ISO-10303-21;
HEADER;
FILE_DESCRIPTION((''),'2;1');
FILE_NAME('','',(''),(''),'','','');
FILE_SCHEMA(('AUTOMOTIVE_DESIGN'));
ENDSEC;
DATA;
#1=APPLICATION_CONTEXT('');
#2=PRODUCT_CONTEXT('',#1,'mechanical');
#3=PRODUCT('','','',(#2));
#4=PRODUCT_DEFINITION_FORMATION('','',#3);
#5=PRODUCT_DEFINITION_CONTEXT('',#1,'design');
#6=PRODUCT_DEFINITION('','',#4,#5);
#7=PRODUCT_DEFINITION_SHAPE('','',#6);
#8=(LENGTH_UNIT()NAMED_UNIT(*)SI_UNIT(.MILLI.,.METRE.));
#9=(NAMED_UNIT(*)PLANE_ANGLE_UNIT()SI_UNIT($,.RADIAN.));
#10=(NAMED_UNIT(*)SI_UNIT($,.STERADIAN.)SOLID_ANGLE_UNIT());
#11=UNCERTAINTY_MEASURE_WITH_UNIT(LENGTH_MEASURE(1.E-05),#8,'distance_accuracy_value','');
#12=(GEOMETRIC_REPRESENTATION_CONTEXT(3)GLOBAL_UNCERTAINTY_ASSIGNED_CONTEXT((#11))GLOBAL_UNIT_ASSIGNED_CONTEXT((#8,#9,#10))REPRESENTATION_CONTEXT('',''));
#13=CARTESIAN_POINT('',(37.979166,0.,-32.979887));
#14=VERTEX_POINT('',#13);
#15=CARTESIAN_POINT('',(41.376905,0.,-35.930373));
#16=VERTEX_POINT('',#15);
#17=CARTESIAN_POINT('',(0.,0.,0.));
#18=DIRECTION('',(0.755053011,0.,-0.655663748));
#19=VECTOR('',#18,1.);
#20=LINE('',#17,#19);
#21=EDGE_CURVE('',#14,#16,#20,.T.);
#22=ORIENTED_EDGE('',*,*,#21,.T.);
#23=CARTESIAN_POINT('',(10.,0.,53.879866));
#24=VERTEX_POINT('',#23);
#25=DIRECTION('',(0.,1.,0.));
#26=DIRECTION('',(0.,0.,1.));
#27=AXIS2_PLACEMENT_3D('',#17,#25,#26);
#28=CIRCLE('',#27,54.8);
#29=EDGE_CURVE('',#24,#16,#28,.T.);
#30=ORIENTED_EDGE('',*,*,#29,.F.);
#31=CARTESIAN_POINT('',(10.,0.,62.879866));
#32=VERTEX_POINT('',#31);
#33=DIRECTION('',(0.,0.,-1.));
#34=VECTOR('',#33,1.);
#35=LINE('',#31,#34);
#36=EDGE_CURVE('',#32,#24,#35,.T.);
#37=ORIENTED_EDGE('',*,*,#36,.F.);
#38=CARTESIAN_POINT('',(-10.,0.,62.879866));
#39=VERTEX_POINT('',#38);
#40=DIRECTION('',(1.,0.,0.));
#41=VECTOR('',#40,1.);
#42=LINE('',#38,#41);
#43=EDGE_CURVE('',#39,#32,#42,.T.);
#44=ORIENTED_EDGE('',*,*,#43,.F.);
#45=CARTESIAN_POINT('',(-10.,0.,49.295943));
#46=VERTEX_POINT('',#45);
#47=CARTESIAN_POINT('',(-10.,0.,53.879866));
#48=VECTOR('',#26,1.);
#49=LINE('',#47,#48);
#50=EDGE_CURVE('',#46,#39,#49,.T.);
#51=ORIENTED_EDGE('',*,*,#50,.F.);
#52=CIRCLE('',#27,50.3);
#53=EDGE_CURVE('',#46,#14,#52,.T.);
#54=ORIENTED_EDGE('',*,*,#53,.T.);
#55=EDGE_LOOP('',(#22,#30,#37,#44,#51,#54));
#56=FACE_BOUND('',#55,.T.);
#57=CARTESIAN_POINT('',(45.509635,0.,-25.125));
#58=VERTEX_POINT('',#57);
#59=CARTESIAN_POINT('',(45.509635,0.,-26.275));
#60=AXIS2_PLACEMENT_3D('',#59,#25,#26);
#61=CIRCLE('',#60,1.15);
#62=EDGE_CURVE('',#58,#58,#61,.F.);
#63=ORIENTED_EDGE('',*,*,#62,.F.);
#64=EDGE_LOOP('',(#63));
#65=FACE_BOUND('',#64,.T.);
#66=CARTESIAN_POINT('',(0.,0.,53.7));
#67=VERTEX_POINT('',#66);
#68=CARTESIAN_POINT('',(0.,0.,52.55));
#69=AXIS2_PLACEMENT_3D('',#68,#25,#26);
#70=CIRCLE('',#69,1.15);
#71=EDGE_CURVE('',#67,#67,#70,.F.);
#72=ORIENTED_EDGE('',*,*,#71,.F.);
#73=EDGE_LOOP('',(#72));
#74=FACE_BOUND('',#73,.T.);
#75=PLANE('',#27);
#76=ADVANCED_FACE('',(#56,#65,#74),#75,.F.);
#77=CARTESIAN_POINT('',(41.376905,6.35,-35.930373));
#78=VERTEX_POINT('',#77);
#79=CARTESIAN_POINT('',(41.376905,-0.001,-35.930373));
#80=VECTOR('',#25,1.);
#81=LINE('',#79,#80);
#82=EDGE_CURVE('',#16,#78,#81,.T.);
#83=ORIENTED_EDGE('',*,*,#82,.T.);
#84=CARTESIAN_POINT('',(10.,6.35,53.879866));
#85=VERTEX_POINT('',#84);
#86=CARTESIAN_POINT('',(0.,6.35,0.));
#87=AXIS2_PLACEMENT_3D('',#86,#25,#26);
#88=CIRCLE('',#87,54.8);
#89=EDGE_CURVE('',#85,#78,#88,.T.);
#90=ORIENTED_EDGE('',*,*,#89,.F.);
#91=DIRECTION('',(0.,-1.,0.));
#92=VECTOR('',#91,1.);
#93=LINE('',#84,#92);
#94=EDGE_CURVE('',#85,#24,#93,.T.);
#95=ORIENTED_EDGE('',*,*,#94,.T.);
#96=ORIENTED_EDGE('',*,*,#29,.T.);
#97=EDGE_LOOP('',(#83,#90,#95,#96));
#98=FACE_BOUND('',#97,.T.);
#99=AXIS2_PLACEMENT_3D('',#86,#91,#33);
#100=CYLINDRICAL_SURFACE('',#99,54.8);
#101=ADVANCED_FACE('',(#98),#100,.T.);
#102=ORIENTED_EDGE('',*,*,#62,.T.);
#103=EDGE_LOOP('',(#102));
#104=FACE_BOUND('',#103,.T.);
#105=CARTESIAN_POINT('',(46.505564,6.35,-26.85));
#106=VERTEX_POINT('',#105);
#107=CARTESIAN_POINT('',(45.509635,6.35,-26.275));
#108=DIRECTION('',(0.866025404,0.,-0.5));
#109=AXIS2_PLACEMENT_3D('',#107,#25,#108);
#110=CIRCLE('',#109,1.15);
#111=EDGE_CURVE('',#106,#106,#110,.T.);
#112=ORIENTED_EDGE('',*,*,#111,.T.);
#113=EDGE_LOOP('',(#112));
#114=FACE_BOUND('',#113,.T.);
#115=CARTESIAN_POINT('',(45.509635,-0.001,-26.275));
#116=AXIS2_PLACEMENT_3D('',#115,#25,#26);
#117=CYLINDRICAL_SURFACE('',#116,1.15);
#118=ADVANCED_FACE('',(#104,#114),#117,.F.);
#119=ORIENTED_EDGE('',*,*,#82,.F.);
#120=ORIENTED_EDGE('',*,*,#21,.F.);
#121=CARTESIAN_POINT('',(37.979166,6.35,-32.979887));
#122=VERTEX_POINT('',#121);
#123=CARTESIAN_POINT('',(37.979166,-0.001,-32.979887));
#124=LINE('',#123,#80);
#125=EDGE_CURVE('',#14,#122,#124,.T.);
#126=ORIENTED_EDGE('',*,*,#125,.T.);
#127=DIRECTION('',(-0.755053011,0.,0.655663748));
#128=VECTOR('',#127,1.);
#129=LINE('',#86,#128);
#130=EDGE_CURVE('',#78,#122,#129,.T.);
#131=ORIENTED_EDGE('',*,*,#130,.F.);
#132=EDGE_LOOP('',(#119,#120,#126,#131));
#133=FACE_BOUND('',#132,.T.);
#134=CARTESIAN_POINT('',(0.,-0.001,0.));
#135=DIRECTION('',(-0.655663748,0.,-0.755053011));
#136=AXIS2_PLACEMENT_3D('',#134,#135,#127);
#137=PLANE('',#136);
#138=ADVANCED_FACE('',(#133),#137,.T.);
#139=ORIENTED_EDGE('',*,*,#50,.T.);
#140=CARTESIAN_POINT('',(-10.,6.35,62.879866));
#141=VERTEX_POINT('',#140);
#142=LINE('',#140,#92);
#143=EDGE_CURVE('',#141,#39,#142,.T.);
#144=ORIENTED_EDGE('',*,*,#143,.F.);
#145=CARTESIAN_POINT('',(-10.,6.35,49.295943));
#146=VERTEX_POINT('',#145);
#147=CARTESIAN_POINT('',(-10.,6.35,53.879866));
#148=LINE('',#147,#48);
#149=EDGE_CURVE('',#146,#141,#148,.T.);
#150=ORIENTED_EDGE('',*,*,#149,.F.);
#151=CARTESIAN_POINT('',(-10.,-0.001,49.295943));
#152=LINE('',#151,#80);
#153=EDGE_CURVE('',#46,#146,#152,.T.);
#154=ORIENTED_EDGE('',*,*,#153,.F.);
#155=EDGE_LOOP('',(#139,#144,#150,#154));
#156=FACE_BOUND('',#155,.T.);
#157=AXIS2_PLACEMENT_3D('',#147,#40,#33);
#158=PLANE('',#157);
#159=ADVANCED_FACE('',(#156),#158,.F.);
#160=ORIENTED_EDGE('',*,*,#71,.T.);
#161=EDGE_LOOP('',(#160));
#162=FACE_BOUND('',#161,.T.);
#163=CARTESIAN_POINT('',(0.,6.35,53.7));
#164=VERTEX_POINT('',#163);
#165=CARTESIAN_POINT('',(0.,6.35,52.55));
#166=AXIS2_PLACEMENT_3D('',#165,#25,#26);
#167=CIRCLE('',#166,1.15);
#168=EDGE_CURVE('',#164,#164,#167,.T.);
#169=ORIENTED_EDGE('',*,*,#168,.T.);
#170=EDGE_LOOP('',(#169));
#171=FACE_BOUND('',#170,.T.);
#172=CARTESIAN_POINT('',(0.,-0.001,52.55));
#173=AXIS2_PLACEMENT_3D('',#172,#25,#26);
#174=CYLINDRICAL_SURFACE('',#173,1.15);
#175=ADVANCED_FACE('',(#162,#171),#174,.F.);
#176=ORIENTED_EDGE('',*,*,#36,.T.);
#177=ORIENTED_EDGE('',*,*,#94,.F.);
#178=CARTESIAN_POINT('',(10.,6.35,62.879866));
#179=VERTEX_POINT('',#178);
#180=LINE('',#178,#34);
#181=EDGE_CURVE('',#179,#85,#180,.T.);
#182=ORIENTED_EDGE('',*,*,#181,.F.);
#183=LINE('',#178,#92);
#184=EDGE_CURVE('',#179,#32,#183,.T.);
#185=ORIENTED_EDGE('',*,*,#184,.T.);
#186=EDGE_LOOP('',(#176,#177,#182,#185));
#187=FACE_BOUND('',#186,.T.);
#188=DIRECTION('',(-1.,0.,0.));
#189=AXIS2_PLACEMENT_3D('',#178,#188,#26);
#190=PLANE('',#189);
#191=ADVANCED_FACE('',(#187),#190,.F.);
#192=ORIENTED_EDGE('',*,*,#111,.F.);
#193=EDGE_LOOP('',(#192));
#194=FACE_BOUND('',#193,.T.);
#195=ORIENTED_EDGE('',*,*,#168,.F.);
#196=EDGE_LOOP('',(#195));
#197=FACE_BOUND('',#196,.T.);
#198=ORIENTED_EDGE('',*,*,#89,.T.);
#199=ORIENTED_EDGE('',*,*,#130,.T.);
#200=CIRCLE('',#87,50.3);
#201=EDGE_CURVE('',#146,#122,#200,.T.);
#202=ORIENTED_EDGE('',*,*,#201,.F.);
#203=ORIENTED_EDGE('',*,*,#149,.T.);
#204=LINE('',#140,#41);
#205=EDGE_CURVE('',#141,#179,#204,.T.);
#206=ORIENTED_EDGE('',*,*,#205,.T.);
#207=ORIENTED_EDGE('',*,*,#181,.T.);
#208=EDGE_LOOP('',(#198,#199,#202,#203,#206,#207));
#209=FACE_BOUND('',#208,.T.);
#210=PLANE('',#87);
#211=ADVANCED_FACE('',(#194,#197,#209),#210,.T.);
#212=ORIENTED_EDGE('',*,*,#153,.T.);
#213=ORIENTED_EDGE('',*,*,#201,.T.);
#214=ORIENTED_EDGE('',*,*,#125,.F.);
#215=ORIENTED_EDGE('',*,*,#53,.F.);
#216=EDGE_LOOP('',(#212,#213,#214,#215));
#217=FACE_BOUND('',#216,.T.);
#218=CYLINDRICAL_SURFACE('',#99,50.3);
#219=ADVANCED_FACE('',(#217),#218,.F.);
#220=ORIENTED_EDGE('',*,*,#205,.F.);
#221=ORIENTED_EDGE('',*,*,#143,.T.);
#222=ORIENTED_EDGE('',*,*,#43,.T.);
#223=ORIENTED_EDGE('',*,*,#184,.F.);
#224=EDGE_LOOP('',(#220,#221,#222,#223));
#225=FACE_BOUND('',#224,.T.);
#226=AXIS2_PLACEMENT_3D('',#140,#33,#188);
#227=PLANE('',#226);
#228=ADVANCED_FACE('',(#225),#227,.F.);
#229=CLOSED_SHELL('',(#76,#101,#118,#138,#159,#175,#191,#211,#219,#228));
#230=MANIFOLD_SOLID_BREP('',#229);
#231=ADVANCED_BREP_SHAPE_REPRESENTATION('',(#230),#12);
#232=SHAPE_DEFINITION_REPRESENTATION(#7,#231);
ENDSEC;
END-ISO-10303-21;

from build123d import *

# Parameters (mm, degrees)
SKETCH1_R           = 50.3
BOSS_EXTRUDE1_DEPTH = 6.35
CUT_EXTRUDE1_REACH  = 85.65
SKETCH2_R           = 1.15
CIRPATTERN1_COUNT   = 3
CUT_EXTRUDE2_REACH  = 85.65
SKETCH3_R           = 1.15


with BuildPart() as part:
    # Sketch1 → Boss-Extrude1 (new body)
    with BuildSketch(Plane(origin=(0, 0, 0), x_dir=(1, 0, 0), z_dir=(0, 1, 0))):
        with BuildLine():
            Line((-10, -53.87986637), (-10, -62.87986637))
            Line((-10, -62.87986637), (10, -62.87986637))
            Line((10, -62.87986637), (10, -53.87986637))
            ThreePointArc((10, -53.87986637), (0, 54.8), (-10, -53.87986637))
        make_face()
        with Locations(Location((0, 0, 0), (0, 0, 270))):
            Circle(SKETCH1_R, mode=Mode.SUBTRACT)
    extrude(amount=BOSS_EXTRUDE1_DEPTH)

    # Sketch2 → Cut-Extrude1 (cut, up to next)
    with BuildSketch(Plane(origin=(0, 6.35, 0), x_dir=(1, 0, 0), z_dir=(0, 1, 0)), mode=Mode.PRIVATE) as cut_extrude1_sk1:
        with Locations(Location((0, -52.55, 0), (0, 0, 270))):
            Circle(SKETCH2_R)
    cut_extrude1_tool1 = extrude(cut_extrude1_sk1.sketch, amount=-CUT_EXTRUDE1_REACH, mode=Mode.PRIVATE) & part.part
    cut_extrude1 = cut_extrude1_tool1.solids().sort_by_distance((0, 6.35, 52.55))[0]
    add(cut_extrude1, mode=Mode.SUBTRACT)

    # CirPattern1: Cut-Extrude1 ×3 about axis
    cirpattern1_axis = Axis((0, 0, 0), (0, 1, 0))
    for i in range(1, CIRPATTERN1_COUNT):
        add(cut_extrude1.rotate(cirpattern1_axis, i * 360 / CIRPATTERN1_COUNT), mode=Mode.SUBTRACT)

    # Sketch3 → Cut-Extrude2 (cut, up to next)
    with BuildSketch(Plane(origin=(0, 6.35, 0), x_dir=(1, 0, 0), z_dir=(0, 1, 0)), mode=Mode.PRIVATE) as cut_extrude2_sk1:
        with BuildLine():
            ThreePointArc((41.376904985, 35.930373417), (-47.56676712, 27.21107616), (-10, -53.87986637))
            Line((-10, -53.87986637), (-10, -49.295943038))
            ThreePointArc((-10, -49.295943038), (-43.451541655, 25.338775184), (37.979166437, 32.979886548))
            Line((37.979166437, 32.979886548), (41.376904985, 35.930373417))
        make_face()
        with Locations((-45.509634969, 26.275)):
            Circle(SKETCH3_R, mode=Mode.SUBTRACT)
    cut_extrude2_tool1 = extrude(cut_extrude2_sk1.sketch, amount=-CUT_EXTRUDE2_REACH, mode=Mode.PRIVATE) & part.part
    add(cut_extrude2_tool1.solids().sort_by_distance((-43.576908, 6.35, -25.411882))[0], mode=Mode.SUBTRACT)


solid = part.part
